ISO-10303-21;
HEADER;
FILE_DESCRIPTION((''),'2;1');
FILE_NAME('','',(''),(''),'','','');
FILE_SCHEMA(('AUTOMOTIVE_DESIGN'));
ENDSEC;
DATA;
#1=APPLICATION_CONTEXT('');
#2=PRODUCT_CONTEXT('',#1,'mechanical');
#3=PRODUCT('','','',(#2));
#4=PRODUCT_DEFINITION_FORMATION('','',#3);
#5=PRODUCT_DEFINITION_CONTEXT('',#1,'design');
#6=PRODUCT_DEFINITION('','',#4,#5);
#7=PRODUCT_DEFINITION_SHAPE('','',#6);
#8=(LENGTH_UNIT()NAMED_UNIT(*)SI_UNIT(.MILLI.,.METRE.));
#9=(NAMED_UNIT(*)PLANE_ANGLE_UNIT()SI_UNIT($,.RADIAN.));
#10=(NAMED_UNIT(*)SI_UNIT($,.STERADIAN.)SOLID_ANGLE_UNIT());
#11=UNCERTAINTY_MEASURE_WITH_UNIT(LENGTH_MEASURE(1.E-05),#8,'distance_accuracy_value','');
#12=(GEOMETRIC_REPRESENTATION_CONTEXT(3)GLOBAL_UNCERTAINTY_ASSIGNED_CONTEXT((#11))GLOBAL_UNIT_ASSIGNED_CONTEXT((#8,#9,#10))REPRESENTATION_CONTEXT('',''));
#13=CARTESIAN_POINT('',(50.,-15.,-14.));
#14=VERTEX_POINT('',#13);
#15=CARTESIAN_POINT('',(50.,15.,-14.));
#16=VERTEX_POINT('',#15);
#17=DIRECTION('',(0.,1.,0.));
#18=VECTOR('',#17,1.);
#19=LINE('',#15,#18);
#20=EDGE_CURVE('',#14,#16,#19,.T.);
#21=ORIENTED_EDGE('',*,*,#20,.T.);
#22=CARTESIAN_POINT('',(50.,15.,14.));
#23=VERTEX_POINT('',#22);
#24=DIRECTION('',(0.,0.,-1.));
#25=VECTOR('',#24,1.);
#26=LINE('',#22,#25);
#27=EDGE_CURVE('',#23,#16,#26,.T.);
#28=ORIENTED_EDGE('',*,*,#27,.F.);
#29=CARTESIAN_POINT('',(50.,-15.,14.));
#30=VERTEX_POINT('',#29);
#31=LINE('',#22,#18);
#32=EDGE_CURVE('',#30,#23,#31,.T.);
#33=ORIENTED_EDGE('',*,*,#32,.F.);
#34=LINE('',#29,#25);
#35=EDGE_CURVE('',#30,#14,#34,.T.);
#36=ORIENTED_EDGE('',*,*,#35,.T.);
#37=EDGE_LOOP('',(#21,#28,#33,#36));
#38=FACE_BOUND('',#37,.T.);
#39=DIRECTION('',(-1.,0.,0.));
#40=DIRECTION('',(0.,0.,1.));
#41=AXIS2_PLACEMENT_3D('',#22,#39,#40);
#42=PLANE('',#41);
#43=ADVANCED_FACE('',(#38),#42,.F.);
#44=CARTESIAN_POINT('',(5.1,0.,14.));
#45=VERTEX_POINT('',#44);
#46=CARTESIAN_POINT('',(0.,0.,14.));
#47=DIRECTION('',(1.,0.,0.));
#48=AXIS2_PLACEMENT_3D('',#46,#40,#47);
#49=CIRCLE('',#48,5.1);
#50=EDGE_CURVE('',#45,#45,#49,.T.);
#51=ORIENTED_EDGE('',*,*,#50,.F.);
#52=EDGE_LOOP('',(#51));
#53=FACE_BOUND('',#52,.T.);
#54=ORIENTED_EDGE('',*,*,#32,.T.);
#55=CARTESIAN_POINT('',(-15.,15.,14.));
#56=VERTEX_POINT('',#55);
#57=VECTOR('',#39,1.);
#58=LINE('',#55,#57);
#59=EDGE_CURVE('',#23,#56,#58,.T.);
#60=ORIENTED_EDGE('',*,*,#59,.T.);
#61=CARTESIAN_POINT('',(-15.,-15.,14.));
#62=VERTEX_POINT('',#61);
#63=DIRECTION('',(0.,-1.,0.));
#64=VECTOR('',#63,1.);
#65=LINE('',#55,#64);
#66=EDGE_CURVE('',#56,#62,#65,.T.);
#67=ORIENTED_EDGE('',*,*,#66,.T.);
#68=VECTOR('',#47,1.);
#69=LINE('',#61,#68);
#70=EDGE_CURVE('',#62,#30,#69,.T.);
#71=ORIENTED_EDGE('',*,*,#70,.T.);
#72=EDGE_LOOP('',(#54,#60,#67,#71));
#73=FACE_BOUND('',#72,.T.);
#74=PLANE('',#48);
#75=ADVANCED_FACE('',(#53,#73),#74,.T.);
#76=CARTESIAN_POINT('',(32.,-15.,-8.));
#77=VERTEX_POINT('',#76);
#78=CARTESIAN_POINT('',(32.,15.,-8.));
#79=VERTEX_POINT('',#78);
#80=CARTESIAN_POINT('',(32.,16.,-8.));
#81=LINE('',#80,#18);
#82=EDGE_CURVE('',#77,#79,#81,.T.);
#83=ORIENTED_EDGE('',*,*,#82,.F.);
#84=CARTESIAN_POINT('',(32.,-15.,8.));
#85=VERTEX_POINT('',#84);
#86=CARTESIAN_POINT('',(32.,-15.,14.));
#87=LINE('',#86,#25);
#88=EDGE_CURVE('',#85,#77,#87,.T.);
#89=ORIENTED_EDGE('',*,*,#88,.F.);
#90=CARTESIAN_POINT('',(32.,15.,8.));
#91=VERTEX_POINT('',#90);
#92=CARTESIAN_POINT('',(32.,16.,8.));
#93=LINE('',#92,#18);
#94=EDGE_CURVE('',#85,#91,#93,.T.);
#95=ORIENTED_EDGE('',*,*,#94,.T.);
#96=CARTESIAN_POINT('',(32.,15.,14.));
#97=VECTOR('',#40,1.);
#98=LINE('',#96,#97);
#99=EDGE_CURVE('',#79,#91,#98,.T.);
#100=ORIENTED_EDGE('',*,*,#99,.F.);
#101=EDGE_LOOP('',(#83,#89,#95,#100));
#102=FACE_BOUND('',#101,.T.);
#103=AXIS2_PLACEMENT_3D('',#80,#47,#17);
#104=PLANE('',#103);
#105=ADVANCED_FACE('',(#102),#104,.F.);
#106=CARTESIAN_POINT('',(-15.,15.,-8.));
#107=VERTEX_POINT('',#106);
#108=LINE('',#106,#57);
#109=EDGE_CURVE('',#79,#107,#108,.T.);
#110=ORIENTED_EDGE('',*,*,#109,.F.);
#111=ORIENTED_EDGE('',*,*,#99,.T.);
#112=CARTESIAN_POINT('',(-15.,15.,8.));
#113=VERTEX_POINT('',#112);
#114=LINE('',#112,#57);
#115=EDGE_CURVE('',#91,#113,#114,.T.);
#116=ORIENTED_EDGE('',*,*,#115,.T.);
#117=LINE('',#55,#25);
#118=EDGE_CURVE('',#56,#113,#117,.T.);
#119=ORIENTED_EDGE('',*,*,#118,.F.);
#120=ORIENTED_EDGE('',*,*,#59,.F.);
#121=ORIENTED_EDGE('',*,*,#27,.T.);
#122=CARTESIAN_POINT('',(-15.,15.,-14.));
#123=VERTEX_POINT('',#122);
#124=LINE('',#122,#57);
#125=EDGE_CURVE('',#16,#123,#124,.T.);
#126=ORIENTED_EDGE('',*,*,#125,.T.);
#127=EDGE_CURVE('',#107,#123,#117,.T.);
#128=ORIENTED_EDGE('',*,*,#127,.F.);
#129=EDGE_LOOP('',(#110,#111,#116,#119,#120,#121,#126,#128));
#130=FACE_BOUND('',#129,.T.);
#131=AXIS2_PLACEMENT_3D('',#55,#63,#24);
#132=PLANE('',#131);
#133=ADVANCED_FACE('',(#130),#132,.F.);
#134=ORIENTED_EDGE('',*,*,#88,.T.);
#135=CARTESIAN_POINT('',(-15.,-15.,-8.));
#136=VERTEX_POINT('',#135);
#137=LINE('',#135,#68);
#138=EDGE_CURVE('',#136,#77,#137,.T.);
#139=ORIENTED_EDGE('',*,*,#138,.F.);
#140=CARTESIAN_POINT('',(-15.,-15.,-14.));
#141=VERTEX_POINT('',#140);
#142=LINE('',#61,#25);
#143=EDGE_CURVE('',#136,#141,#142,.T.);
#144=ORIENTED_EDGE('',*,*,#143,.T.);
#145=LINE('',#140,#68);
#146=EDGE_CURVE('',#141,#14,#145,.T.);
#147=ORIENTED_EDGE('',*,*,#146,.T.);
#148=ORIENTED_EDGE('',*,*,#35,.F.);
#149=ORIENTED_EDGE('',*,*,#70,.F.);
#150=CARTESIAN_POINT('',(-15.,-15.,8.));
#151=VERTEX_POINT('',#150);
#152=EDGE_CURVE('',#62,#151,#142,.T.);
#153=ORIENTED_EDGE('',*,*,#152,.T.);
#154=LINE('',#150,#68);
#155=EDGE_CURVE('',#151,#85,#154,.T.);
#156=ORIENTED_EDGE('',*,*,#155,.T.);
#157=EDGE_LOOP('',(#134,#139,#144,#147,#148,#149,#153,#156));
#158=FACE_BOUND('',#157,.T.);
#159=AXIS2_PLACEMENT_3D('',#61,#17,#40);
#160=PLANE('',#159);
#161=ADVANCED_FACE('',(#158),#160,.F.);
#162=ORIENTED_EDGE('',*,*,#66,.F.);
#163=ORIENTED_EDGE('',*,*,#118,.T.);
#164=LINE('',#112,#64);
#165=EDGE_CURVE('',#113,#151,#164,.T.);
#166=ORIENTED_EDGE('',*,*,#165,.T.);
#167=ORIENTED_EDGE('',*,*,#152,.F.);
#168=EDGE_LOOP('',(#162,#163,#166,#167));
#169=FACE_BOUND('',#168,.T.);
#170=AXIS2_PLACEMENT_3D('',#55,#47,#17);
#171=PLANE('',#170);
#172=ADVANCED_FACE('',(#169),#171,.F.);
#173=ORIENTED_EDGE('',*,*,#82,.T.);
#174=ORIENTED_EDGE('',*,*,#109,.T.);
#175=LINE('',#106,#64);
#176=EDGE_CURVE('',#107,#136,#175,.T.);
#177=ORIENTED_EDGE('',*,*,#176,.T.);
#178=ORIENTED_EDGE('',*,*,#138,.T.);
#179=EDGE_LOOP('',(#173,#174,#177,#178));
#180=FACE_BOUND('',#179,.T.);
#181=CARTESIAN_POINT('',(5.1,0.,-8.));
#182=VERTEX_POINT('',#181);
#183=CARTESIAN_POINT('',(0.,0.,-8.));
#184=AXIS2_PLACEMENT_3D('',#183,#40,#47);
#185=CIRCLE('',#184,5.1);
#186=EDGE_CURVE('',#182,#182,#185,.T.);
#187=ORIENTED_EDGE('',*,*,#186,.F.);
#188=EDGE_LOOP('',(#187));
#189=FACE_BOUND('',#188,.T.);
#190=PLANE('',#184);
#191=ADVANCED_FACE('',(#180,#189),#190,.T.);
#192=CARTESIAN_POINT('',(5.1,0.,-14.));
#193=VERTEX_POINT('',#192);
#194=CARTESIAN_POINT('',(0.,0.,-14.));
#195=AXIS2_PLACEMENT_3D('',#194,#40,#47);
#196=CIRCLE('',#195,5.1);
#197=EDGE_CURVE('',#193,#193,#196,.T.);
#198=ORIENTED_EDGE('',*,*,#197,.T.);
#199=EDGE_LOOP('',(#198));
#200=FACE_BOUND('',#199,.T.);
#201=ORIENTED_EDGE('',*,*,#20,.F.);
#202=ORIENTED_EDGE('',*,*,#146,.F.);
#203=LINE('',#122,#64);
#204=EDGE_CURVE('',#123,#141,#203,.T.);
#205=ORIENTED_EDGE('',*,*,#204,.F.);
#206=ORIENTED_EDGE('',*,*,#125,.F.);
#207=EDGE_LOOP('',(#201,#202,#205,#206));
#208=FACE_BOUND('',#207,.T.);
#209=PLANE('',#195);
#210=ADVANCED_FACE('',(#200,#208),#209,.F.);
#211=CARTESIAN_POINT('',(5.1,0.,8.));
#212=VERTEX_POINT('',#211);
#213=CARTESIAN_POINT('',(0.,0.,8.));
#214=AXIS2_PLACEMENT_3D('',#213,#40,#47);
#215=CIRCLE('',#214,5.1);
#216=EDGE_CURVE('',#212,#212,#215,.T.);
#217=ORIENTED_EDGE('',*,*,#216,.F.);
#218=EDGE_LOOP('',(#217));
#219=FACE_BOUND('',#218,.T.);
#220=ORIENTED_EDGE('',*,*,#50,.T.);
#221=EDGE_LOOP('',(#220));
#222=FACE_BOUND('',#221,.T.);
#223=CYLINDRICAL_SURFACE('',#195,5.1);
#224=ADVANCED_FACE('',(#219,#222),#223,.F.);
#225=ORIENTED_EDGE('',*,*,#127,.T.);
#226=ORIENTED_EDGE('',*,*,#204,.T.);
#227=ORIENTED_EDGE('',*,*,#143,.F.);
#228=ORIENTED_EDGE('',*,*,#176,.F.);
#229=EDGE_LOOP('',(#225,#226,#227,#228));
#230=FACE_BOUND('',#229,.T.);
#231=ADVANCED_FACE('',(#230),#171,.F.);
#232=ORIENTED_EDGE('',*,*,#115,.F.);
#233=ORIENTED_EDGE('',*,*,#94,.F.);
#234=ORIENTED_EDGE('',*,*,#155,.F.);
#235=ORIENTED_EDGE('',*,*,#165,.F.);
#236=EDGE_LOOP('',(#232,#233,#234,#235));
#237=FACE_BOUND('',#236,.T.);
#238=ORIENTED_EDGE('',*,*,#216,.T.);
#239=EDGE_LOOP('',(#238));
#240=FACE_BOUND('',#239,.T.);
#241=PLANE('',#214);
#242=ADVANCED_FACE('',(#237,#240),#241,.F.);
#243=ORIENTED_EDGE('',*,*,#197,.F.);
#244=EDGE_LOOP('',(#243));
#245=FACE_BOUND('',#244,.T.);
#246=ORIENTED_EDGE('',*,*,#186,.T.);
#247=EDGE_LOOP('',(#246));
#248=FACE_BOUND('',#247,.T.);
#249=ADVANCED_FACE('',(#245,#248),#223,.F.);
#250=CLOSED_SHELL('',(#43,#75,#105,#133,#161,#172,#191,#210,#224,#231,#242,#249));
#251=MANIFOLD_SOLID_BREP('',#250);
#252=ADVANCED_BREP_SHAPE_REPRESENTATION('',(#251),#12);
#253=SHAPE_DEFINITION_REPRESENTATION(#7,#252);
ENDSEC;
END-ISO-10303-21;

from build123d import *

# Parameters (mm, degrees)
SKETCH1_W               = 65
SKETCH1_H               = 30
BOSS_EXTRUDE1_DEPTH     = 14
SKETCH2_W               = 48
SKETCH2_H               = 32
CUT_EXTRUDE1_DEPTH      = 8
CUT_EXTRUDE2_DEPTH      = 55.046276467
CUT_EXTRUDE2_DEPTH_BACK = 55.046276467
SKETCH3_R               = 5.1


with BuildPart() as part:
    # Sketch1 → Boss-Extrude1 (new, symmetric)
    with BuildSketch(Plane.XY):
        with Locations((17.5, 0)):
            Rectangle(SKETCH1_W, SKETCH1_H)
    extrude(amount=BOSS_EXTRUDE1_DEPTH, both=True)

    # Sketch2 → Cut-Extrude1 (cut, symmetric)
    with BuildSketch(Plane.XY):
        with Locations((8, 0)):
            Rectangle(SKETCH2_W, SKETCH2_H)
    extrude(amount=CUT_EXTRUDE1_DEPTH, both=True, mode=Mode.SUBTRACT)

    # Sketch3 → Cut-Extrude2 (cut, two sides: drawn at the far end of the back side and taken through both)
    with BuildSketch(Plane.XY.offset(-CUT_EXTRUDE2_DEPTH_BACK)):
        Circle(SKETCH3_R)
    extrude(amount=CUT_EXTRUDE2_DEPTH + CUT_EXTRUDE2_DEPTH_BACK, mode=Mode.SUBTRACT)


solid = part.part
